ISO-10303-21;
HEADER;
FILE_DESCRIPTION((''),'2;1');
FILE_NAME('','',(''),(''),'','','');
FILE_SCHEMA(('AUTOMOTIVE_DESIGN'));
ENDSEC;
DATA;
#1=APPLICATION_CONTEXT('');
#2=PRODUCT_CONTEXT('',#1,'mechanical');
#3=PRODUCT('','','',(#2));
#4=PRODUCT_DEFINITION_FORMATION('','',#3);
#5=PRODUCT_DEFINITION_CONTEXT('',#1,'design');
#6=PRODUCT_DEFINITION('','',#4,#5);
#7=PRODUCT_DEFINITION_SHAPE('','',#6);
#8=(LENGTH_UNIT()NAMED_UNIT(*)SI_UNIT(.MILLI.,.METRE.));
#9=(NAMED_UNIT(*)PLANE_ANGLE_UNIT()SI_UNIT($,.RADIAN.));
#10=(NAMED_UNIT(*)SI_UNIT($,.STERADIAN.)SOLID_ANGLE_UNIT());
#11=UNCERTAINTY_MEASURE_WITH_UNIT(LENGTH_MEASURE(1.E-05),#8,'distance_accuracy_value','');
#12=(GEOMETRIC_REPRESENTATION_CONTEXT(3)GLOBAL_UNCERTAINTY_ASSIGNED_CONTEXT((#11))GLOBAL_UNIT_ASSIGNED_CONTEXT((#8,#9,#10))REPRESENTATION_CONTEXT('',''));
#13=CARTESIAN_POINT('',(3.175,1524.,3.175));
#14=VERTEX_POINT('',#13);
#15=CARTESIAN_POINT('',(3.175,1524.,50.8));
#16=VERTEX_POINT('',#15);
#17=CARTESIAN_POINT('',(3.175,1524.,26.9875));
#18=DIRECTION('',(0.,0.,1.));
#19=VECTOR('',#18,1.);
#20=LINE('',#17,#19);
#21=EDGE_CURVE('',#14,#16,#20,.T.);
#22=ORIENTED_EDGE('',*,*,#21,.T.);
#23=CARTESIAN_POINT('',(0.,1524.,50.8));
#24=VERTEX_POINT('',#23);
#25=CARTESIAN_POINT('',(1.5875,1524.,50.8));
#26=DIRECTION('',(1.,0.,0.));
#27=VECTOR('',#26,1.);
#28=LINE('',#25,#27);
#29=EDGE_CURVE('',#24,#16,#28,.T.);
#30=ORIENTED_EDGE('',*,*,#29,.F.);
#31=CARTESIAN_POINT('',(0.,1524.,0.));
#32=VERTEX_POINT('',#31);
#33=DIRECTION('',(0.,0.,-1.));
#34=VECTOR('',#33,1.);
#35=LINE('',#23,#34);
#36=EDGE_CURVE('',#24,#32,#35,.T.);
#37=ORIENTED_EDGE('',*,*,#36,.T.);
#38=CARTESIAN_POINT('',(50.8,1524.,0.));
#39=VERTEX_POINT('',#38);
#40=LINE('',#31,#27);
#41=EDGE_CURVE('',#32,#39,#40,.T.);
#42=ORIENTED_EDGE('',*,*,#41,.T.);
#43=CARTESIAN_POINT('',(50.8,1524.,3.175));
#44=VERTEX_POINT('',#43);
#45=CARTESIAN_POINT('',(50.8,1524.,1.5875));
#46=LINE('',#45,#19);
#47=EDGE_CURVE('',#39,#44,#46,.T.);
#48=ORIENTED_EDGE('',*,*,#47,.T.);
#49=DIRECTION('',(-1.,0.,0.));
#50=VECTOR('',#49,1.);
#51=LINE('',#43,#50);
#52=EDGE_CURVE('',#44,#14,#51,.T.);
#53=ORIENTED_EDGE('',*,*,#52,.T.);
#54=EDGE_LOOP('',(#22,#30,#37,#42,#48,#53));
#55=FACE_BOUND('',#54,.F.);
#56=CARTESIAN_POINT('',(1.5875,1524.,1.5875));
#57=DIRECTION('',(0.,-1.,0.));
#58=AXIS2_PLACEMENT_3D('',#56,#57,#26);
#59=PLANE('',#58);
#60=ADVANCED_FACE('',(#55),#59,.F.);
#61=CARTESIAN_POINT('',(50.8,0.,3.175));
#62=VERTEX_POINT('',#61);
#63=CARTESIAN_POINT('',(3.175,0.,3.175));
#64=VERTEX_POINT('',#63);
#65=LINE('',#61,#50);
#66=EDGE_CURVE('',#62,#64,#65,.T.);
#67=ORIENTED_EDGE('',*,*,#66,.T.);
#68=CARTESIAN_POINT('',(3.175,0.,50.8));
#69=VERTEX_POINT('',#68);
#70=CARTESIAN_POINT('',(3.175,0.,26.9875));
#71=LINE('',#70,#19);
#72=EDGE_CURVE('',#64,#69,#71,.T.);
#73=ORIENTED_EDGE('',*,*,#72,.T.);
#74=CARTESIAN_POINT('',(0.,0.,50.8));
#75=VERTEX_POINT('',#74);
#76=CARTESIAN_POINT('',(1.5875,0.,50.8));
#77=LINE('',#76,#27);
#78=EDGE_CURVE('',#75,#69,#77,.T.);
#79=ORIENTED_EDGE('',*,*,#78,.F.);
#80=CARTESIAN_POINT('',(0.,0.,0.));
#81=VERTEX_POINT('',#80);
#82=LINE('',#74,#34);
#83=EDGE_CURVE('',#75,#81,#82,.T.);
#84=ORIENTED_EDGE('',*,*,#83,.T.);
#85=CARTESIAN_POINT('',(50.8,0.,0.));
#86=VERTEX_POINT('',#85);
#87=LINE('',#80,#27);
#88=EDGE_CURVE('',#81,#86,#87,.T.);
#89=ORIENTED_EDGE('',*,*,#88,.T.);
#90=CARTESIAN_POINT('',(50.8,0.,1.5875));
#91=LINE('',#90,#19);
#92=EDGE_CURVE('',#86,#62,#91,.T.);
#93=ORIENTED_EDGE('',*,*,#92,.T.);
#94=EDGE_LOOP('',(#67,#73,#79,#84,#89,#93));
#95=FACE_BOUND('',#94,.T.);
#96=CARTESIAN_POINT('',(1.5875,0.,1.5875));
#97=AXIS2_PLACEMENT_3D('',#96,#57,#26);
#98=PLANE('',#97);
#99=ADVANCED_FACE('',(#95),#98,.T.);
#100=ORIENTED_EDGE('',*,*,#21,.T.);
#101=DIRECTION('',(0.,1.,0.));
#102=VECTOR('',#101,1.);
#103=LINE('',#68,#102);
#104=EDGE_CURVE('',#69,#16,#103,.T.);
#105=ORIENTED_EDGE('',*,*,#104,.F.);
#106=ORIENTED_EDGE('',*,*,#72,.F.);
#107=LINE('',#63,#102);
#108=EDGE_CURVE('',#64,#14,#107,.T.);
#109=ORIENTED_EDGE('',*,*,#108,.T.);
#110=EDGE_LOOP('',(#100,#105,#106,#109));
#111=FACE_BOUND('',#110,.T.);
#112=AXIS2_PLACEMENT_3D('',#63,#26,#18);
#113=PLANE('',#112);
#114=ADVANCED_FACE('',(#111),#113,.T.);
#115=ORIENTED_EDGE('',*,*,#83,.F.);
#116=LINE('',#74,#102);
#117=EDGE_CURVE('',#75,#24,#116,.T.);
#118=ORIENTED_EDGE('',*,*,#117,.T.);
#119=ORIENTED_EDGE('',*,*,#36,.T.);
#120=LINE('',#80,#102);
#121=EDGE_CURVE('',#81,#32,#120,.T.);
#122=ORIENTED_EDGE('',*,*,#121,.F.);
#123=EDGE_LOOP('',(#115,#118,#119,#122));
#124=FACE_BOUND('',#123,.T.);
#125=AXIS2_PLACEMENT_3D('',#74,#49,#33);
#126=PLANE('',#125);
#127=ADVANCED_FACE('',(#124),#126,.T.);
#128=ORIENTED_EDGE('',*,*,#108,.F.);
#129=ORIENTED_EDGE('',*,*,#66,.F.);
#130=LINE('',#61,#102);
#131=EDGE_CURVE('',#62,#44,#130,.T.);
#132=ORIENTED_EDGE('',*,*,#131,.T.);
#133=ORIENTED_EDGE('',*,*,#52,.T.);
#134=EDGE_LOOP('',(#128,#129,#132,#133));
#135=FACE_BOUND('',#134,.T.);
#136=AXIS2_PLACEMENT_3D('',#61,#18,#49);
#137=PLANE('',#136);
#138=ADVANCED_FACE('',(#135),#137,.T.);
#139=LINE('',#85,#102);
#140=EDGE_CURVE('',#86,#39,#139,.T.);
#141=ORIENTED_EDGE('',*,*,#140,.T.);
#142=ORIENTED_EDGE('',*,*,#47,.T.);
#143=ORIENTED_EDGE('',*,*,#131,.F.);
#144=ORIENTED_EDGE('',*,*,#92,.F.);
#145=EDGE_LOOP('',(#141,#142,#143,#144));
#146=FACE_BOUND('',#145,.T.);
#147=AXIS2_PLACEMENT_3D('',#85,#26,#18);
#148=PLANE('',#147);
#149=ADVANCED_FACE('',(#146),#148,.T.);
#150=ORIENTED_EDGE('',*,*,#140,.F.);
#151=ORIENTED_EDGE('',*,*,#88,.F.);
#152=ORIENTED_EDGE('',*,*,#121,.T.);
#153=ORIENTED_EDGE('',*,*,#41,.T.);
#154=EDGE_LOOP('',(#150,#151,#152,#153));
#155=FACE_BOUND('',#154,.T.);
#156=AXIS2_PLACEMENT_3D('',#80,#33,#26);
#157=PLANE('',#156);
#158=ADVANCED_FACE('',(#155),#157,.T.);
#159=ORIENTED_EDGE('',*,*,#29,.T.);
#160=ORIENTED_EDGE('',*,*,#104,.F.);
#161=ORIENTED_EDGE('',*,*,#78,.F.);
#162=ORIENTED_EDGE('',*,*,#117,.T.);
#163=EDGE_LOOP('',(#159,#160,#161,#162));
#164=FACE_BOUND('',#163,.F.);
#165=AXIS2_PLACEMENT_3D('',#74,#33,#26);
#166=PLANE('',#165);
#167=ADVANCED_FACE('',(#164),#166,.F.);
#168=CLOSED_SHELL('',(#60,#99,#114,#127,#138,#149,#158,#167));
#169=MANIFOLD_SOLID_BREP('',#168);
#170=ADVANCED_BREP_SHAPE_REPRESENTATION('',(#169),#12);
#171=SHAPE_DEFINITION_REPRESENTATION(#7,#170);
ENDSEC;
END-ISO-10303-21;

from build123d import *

# Parameters (mm, degrees)
F0_W     = 3.175
F0_H     = 3.175
F0_W_2   = 47.625
F0_H_2   = 47.625
F1_DEPTH = 1524


with BuildPart() as f1:
    # F0 (on Front) → F1 (new body)
    with BuildSketch(Plane.XZ):
        with Locations((1.5875, 1.5875)):
            Rectangle(F0_W, F0_H)
        with Locations((26.9875, 1.5875)):
            Rectangle(F0_W_2, F0_H)
        with Locations((1.5875, 26.9875)):
            Rectangle(F0_W, F0_H_2)
    extrude(amount=-F1_DEPTH)


solid = f1.part
